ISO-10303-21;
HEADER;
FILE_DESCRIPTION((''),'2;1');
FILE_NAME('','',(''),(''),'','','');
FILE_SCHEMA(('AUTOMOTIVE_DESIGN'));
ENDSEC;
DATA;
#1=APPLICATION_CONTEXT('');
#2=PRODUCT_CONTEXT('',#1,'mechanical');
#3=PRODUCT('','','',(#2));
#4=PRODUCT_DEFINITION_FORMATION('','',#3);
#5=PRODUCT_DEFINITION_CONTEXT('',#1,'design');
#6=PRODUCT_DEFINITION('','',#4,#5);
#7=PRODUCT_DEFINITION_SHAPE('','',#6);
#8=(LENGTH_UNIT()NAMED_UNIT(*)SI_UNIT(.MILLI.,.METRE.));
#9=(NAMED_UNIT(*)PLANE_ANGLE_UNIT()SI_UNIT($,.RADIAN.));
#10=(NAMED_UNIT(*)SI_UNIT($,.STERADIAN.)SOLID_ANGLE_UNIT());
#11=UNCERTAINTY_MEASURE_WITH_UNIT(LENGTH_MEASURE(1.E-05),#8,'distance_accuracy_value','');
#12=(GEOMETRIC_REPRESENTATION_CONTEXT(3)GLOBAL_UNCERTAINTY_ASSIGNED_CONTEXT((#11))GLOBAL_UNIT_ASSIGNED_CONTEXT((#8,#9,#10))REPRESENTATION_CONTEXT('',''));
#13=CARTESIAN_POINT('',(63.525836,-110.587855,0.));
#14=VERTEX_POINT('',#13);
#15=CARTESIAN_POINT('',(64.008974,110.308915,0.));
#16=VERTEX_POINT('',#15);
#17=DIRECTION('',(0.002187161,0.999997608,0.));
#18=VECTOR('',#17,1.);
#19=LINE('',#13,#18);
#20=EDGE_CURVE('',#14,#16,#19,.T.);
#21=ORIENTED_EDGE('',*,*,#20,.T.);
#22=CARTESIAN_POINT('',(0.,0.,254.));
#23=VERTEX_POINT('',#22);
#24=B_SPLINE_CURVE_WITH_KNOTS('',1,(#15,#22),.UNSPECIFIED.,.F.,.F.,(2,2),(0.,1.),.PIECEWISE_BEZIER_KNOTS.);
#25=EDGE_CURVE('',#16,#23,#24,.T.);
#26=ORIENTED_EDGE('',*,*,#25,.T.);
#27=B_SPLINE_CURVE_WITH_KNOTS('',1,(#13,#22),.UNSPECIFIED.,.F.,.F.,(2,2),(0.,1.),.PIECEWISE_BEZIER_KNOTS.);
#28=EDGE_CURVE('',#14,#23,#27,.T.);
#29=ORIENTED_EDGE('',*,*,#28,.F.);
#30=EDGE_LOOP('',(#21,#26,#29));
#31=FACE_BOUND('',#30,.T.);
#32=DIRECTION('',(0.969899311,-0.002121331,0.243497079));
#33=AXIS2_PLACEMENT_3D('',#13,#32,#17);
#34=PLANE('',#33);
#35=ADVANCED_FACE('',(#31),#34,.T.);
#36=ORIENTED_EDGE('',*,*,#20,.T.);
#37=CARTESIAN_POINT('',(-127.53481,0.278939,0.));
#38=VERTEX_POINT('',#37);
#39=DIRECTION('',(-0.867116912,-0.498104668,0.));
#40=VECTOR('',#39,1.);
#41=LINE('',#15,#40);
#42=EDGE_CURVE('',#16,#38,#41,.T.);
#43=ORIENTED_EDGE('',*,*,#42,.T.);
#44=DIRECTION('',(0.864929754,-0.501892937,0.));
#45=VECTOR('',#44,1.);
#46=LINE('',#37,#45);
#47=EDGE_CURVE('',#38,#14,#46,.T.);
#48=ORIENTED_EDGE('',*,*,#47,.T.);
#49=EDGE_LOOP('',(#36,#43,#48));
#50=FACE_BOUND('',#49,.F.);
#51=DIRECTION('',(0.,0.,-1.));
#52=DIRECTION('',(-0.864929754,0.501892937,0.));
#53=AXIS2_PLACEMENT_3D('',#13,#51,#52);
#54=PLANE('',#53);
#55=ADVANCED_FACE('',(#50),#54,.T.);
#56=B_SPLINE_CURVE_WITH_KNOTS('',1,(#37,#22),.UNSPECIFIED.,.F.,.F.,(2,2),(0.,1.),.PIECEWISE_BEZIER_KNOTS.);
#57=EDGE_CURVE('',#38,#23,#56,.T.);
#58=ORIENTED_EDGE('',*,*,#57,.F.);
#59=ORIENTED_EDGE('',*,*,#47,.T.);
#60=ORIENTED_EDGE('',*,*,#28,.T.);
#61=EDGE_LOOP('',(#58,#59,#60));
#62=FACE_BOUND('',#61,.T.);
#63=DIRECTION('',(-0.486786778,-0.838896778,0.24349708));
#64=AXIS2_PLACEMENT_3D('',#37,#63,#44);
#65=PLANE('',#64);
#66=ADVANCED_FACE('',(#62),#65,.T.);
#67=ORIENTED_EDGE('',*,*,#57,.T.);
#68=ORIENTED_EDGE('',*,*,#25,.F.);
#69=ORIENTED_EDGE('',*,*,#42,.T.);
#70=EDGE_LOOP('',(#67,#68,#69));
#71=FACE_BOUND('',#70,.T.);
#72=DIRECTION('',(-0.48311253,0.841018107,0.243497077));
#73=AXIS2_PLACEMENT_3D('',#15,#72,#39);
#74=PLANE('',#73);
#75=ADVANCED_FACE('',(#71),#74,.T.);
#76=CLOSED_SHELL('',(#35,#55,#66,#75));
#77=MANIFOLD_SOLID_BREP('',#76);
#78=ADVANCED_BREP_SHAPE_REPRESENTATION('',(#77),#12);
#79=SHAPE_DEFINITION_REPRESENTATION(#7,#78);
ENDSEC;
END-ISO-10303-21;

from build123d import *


with BuildPart() as f3:
    # F0 (on Top) → F3 section 0
    with BuildSketch(Plane.XY, mode=Mode.PRIVATE) as f3_s0:
        Polygon((63.525836, -110.587855), (64.008974, 110.308915), (-127.53481, 0.278939), align=None)
    loft([f3_s0.sketch, Vertex(0, 0, 254)])


solid = f3.part
